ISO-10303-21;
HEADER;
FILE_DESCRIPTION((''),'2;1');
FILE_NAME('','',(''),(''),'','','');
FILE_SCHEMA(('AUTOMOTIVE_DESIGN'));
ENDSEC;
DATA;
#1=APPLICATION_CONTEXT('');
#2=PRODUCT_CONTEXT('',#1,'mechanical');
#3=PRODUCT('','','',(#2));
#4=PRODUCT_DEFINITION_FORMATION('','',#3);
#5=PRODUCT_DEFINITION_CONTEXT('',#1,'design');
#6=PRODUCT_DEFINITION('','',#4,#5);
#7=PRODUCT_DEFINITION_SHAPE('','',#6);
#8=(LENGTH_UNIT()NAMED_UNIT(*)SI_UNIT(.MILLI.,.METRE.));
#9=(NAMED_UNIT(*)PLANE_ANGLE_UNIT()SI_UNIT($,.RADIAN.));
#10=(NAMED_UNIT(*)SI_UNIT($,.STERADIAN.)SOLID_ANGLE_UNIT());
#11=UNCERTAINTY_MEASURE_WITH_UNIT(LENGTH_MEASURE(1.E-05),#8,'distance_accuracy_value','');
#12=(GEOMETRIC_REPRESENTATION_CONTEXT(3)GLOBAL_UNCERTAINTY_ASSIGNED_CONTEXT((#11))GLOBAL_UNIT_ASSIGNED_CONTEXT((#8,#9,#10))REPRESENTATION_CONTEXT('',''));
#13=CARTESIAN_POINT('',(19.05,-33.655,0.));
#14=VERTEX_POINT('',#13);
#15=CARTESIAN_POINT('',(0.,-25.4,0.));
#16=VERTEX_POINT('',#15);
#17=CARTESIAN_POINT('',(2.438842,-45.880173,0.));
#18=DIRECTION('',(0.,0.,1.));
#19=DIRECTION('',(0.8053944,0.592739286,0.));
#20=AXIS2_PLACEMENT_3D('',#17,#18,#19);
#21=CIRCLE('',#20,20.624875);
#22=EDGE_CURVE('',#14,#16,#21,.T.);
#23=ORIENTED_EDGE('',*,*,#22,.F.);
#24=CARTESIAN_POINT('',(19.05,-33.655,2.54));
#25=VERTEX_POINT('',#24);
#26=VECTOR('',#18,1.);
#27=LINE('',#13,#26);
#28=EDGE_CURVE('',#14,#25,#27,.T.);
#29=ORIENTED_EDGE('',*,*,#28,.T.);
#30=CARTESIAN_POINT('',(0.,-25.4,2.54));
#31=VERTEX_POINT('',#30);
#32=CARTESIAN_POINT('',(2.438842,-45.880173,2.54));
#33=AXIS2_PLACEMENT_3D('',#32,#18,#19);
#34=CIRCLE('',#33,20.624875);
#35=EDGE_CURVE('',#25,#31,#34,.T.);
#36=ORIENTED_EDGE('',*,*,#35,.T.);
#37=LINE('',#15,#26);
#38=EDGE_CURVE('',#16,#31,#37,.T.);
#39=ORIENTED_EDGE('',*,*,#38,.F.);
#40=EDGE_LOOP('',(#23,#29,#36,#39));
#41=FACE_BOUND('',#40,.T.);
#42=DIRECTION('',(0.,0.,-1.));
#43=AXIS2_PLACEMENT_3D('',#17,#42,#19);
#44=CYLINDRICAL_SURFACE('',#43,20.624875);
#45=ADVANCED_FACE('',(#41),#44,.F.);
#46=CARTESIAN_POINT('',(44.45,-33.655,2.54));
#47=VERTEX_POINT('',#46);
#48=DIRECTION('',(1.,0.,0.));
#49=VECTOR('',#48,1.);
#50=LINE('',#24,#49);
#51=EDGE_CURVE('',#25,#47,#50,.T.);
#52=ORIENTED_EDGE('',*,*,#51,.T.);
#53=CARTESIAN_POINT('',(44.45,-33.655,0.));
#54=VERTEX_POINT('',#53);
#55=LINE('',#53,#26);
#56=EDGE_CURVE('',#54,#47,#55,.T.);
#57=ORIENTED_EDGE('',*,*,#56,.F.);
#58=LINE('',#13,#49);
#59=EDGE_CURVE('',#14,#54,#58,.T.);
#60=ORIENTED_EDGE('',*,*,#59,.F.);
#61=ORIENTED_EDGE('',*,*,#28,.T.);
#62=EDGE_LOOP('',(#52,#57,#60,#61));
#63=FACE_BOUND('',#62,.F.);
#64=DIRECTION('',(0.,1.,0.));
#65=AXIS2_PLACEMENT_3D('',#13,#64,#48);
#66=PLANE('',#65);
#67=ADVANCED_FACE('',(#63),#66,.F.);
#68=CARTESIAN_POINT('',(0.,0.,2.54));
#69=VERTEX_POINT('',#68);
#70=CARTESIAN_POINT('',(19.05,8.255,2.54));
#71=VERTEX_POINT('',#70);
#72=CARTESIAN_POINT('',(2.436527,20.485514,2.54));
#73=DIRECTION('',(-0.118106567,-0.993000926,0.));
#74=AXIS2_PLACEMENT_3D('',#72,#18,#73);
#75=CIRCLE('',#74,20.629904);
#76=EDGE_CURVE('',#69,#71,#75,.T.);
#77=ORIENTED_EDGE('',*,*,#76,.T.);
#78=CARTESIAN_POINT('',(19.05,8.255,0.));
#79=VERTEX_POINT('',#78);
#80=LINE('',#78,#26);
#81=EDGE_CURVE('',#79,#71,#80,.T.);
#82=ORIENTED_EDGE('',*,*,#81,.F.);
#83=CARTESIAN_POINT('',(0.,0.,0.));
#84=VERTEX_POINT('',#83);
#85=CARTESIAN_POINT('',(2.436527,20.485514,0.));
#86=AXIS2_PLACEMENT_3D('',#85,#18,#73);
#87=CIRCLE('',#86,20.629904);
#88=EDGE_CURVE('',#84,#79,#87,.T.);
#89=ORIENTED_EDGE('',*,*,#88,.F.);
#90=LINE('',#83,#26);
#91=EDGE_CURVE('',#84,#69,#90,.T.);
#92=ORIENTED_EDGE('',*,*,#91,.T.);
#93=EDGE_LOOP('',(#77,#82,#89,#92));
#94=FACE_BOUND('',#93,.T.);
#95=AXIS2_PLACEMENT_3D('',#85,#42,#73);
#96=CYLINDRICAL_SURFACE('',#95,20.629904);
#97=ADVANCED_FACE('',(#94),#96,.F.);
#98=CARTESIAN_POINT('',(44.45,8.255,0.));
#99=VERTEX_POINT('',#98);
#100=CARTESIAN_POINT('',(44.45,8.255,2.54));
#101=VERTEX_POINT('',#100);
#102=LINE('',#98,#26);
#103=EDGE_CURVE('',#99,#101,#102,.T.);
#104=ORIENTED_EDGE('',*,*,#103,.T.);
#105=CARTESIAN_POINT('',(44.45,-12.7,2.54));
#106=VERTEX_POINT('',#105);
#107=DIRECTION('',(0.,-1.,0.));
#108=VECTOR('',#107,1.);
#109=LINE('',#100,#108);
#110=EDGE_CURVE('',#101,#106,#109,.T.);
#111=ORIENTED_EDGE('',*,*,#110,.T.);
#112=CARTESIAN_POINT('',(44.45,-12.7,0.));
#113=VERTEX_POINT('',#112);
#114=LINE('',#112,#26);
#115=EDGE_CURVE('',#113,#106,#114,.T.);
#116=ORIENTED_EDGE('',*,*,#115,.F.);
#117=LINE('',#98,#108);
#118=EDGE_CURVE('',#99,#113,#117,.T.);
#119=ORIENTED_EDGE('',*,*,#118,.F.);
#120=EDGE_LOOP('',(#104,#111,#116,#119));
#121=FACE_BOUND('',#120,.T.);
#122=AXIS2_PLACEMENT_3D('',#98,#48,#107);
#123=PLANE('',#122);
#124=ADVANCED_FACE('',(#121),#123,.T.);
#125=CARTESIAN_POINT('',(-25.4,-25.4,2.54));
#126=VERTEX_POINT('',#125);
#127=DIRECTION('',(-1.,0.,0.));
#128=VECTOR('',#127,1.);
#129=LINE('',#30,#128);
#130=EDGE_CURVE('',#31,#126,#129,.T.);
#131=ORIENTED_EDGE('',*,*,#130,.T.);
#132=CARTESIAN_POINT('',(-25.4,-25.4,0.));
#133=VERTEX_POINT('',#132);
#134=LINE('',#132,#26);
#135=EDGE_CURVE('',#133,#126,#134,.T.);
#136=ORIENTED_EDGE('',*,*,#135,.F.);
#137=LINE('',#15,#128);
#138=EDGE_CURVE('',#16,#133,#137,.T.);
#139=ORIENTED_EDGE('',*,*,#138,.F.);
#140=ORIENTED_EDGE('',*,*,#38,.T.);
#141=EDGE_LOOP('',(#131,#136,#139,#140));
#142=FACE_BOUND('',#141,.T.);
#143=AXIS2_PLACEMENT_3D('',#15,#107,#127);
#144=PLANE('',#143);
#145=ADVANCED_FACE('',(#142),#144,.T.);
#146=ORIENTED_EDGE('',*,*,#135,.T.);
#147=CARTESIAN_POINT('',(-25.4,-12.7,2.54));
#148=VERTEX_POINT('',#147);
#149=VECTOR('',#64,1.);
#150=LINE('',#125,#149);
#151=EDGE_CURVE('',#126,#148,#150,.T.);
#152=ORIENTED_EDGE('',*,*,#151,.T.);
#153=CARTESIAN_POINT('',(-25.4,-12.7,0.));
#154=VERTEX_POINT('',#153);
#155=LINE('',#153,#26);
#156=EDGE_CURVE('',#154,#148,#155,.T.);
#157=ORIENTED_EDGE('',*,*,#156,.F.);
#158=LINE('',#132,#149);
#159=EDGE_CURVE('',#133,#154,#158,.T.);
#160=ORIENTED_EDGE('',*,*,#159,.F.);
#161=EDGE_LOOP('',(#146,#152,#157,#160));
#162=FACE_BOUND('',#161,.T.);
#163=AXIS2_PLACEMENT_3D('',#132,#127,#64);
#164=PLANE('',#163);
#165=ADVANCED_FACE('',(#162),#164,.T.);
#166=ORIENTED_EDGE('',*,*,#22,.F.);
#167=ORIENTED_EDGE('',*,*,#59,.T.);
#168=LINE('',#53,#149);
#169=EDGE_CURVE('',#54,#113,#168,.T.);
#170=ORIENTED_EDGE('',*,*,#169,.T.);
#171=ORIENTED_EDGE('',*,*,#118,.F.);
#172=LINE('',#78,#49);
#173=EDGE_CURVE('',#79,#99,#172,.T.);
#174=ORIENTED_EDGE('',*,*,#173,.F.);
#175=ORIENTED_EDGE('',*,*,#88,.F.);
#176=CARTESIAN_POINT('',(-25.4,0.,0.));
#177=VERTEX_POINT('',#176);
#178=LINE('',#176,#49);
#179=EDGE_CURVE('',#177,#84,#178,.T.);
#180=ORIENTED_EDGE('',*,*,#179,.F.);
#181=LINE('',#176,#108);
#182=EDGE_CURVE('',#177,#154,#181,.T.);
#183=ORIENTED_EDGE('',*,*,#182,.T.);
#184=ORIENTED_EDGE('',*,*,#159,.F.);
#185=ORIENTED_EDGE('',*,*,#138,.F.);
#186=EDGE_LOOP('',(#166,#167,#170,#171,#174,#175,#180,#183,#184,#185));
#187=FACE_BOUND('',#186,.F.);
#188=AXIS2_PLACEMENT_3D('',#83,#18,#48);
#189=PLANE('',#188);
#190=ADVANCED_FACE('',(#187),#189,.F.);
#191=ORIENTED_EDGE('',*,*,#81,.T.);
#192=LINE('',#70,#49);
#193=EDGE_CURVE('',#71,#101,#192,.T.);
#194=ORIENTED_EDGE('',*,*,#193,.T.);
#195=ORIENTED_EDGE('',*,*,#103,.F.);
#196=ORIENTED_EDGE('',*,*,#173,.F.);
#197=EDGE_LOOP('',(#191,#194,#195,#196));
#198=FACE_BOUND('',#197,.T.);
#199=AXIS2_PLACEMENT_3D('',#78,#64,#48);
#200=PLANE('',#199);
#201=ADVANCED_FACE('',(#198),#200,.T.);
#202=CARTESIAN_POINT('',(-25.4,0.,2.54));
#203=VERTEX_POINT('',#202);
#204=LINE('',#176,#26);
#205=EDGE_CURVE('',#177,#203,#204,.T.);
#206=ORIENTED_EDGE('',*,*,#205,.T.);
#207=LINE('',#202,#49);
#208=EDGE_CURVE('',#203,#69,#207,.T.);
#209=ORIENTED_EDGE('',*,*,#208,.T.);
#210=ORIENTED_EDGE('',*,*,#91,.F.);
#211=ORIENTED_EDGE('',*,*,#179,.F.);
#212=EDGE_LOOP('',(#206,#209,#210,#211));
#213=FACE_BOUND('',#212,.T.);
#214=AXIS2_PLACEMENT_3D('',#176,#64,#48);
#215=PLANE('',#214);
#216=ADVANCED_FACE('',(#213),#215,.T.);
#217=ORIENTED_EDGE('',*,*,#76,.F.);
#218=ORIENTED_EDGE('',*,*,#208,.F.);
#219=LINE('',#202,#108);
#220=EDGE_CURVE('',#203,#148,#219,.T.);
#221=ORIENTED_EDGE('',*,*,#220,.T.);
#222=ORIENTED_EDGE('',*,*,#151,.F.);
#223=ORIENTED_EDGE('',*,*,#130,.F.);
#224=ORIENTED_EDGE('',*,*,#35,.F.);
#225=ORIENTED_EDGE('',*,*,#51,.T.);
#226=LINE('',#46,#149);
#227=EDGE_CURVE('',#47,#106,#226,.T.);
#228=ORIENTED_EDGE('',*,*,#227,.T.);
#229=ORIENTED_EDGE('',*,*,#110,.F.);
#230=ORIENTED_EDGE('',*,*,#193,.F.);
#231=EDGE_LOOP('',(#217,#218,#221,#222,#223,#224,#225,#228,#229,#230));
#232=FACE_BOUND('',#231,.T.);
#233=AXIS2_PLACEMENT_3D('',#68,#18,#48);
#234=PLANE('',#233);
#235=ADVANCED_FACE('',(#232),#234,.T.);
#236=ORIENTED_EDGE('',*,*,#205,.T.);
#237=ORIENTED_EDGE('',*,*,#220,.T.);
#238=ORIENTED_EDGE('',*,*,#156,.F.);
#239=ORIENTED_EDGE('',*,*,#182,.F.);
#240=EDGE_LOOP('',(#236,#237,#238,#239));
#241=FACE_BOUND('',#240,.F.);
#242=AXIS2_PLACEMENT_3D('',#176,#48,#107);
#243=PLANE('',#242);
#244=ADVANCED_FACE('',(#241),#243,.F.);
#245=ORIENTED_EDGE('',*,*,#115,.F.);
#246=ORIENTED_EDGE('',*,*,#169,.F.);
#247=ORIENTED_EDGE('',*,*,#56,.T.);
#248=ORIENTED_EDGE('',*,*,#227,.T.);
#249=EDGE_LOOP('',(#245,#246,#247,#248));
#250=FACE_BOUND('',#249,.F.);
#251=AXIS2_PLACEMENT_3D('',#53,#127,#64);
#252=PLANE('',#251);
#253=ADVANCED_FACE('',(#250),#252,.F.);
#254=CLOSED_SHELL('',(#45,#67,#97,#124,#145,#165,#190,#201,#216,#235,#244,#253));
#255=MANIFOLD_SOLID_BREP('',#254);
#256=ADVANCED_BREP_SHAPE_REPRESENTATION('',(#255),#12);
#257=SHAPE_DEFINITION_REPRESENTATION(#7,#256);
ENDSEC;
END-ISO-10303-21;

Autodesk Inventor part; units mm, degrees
ref_plane "YZ Plane" through (0, 0, 0) normal (1, 0, 0) x (0, 1, 0)
ref_plane "XZ Plane" through (0, 0, 0) normal (0, 1, 0) x (-1, 0, 0)
ref_plane "XY Plane" through (0, 0, 0) normal (0, 0, 1) x (1, 0, 0)
sketch "Sketch1" plane through (0, 0, 0) normal (0, 0, 1) x (1, 0, 0)
  line L0 (-25.4, 0) -> (-25.4, -12.7)
  line L1 (19.05, 8.255) -> (44.45, 8.255)
  line L2 (44.45, 8.255) -> (44.45, -12.7)
  line L3 (0, -25.4) -> (-25.4, -25.4)
  line L4 (-25.4, -25.4) -> (-25.4, -12.7)
  line L5 (19.05, -33.655) -> (44.45, -33.655)
  line L6 (44.45, -33.655) -> (44.45, -12.7)
  line L7 (-25.4, 0) -> (0, 0)
  arc A0 (0, 0) -> (19.05, 8.255) centre (2.4365, 20.4857) ccw
  arc A1 (19.05, -33.655) -> (0, -25.4) centre (2.4389, -45.8801) ccw
  dimension "d2" = 12.7
  dimension "d3" = 25.4
  dimension "d4" = 20.955
  dimension "d5" = 20.955
  dimension "d6" = 20.6248
extrude "Extrusion1" add sketch "Sketch1" along normal blind 2.54
sketch "Sketch2" plane through (0, 0, 2.54) normal (0, 0, 1) x (1, 0, 0)
  line L0 (0, 0) -> (-25.4, 0) projected
  line L1 (-25.4, 0) -> (-25.4, -25.4) projected
  line L2 (-25.4, -25.4) -> (0, -25.4) projected
  arc A0 (19.05, -33.655) -> (0, -25.4) centre (2.4389, -45.8801) ccw projected
  line L3 (19.05, -33.655) -> (44.45, -33.655) projected
  line L4 (44.45, -33.655) -> (44.45, 8.255) projected
  line L5 (44.45, 8.255) -> (19.05, 8.255) projected
  arc A1 (0, 0) -> (19.05, 8.255) centre (2.4365, 20.4857) ccw projected
properties part number "Sweep"
